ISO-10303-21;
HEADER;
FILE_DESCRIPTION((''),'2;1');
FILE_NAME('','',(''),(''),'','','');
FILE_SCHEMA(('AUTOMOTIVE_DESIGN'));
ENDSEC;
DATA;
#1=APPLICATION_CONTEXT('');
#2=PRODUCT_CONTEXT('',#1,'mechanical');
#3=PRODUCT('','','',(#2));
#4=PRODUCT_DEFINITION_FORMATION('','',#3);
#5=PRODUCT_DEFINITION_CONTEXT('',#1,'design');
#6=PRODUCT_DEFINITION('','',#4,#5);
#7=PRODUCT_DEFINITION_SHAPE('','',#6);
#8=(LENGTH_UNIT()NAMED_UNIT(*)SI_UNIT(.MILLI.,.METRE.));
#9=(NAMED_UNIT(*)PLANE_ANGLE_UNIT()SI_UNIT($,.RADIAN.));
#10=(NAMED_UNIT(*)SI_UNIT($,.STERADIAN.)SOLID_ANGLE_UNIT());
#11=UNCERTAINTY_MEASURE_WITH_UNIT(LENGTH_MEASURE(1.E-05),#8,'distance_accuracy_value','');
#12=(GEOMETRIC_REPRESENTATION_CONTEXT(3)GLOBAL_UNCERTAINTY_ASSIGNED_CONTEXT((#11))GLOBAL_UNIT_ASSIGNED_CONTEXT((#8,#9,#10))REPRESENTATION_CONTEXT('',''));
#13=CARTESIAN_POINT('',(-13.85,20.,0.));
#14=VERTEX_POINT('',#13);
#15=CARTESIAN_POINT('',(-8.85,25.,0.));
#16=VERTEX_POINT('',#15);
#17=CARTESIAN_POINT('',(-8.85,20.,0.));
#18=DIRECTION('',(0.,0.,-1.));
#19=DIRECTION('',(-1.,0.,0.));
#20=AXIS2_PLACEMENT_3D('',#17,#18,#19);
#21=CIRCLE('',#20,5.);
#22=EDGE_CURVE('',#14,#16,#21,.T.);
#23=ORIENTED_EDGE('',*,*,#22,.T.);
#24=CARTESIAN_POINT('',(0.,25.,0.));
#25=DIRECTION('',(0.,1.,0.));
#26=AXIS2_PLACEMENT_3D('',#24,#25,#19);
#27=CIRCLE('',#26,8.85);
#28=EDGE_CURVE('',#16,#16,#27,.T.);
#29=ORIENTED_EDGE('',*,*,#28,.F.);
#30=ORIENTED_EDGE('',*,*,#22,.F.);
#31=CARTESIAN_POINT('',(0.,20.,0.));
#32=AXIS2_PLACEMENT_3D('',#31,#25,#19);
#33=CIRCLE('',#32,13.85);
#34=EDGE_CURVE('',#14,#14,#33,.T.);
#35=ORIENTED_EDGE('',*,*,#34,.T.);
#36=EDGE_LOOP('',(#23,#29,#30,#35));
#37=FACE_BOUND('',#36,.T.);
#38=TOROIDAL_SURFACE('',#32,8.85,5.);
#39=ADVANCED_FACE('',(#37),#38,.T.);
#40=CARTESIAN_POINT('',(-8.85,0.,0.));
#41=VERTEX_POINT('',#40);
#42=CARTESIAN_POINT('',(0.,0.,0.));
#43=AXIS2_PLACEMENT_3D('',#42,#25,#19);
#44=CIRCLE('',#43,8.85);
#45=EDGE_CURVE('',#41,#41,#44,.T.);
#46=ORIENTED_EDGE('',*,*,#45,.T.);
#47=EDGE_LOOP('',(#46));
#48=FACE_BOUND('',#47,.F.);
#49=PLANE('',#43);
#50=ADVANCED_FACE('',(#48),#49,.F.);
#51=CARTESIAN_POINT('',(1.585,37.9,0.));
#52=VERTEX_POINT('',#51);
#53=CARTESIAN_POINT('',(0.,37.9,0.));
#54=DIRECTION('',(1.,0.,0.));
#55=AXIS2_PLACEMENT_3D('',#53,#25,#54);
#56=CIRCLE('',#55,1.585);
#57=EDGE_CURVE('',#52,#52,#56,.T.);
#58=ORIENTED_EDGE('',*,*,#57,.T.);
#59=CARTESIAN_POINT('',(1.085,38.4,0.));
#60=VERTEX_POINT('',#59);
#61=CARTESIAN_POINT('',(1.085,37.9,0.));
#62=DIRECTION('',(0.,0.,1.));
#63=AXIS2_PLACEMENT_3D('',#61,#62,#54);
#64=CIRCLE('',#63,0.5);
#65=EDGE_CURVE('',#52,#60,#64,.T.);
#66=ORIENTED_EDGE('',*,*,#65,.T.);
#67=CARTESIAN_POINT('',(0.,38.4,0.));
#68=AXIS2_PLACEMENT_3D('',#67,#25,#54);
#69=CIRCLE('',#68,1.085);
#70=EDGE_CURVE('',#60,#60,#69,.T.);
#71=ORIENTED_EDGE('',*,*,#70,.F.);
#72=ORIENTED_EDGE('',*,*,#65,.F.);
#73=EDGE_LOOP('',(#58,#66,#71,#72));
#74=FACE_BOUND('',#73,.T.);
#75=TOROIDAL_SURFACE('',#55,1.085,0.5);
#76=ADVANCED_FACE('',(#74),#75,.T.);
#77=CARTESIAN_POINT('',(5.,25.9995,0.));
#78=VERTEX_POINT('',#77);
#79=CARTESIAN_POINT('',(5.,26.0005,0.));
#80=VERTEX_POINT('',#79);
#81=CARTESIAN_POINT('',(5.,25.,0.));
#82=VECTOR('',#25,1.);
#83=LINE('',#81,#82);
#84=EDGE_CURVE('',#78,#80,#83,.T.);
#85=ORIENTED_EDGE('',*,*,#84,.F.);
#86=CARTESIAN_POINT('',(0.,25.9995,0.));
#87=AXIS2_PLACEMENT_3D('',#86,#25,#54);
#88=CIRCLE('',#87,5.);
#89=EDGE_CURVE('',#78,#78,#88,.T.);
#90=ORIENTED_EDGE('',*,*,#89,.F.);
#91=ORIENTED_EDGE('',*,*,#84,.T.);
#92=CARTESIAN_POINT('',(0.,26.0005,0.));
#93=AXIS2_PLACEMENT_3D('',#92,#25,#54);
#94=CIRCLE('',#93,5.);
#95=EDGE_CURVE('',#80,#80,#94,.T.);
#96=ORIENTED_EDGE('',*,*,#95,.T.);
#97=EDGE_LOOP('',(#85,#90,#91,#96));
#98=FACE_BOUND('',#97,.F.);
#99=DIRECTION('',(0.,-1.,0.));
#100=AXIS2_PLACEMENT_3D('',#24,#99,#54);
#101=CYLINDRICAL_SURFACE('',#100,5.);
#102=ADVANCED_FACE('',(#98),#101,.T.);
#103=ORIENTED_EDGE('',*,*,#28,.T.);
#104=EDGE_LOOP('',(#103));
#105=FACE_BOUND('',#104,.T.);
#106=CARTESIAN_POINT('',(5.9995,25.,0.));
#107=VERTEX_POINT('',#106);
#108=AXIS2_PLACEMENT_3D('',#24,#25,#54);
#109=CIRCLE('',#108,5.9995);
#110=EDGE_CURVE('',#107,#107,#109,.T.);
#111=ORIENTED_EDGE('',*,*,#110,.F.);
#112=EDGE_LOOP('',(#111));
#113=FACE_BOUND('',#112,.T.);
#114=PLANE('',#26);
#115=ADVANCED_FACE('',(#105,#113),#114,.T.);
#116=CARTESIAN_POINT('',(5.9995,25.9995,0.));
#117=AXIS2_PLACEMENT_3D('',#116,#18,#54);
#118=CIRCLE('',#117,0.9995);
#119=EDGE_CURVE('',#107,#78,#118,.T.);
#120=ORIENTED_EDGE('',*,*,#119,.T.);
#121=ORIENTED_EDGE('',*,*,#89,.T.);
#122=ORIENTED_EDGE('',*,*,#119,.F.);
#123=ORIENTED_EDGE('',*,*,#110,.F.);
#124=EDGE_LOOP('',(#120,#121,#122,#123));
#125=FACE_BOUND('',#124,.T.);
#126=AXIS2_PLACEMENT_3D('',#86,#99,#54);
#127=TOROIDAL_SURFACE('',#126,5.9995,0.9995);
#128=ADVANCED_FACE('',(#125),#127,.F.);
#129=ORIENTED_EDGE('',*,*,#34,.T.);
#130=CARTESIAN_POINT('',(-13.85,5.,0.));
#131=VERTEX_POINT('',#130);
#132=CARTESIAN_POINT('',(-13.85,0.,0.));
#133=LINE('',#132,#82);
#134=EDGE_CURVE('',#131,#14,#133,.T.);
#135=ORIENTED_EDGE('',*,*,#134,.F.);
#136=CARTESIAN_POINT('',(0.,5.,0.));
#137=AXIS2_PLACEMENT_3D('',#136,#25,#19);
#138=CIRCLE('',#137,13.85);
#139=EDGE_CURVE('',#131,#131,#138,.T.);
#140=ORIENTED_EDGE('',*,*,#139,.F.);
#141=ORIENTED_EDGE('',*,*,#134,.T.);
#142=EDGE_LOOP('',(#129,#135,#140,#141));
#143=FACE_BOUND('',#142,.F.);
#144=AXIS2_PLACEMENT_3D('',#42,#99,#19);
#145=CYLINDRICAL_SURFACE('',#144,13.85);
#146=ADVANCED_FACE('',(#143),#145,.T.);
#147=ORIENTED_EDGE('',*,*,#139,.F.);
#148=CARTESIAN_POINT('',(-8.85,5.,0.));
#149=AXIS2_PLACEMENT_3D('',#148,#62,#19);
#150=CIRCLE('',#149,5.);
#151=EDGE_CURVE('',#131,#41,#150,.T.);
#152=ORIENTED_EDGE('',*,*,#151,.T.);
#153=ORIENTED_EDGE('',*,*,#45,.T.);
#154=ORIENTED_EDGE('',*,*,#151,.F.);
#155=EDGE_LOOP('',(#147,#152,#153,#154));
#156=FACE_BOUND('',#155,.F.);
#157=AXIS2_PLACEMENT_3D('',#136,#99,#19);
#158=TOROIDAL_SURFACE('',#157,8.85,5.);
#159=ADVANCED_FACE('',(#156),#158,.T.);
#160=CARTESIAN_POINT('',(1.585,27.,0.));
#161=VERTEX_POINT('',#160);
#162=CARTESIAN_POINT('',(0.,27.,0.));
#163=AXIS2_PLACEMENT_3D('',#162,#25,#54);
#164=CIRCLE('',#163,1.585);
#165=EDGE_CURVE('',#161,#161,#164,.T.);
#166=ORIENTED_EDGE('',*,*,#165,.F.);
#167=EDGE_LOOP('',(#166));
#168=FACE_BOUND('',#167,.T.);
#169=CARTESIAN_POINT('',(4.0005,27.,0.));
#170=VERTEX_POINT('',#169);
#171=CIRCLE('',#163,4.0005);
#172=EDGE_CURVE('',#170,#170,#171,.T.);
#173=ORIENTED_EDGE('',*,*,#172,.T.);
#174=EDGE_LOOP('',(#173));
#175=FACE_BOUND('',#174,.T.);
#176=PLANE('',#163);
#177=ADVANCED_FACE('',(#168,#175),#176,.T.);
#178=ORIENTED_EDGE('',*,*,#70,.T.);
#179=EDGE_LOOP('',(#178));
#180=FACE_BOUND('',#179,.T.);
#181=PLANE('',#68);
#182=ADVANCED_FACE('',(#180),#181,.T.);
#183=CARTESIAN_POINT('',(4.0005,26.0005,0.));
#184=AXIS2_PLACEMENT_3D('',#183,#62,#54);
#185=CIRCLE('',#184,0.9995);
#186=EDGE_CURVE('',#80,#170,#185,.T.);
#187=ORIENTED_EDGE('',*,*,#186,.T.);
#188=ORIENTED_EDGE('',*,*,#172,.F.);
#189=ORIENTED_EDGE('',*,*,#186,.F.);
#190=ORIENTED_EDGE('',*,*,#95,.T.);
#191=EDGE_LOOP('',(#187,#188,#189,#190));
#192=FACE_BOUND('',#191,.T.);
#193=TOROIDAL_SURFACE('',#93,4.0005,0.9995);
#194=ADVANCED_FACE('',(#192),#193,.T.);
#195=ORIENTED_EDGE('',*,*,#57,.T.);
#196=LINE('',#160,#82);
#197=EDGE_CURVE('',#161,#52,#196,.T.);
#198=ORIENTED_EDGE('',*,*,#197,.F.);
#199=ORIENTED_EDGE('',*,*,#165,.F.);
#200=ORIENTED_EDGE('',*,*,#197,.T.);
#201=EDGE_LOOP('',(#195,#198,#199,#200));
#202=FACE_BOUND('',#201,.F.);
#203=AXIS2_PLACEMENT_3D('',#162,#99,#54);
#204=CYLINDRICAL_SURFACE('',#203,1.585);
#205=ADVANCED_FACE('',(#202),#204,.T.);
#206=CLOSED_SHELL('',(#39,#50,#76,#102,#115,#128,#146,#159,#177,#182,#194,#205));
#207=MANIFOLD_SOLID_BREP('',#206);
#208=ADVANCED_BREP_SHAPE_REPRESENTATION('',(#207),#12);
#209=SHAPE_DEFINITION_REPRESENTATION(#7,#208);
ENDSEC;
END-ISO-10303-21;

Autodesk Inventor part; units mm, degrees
ref_plane "YZ Plane" through (0, 0, 0) normal (1, 0, 0) x (0, 1, 0)
ref_plane "XZ Plane" through (0, 0, 0) normal (0, 1, 0) x (-1, 0, 0)
ref_plane "XY Plane" through (0, 0, 0) normal (0, 0, 1) x (1, 0, 0)
sketch "Sketch1" plane through (0, 0, 0) normal (0, 1, 0) x (-1, 0, 0)
  point P0 (0, 0)
sketch "Sketch2" plane through (0, 0, 0) normal (0, 1, 0) x (-1, 0, 0)
  circle A0 centre (0, 0) radius 13.85
  dimension "d0" = 27.7
extrude "Extrusion1" add sketch "Sketch2" along normal blind 25
sketch "Sketch3" plane through (0, 25, 0) normal (0, 1, 0) x (1, 0, 0)
  circle A0 centre (0, 0) radius 13.85 projected
  circle A1 centre (0, 0) radius 5
  dimension "d3" = 10
extrude "Extrusion2" add sketch "Sketch3" along normal blind 2 contours A1
sketch "Sketch4" plane through (0, 27, 0) normal (0, 1, 0) x (1, 0, 0)
  circle A0 centre (0, 0) radius 1.585
  dimension "d6" = 3.17
extrude "Extrusion3" add sketch "Sketch4" along normal blind 11.4
fillet "Fillet1" radius 5 2 edges at (13.85, 0, 0) (13.85, 25, 0)
fillet "Fillet2" radius 1 2 edges at (-5, 27, 0) (-5, 25, 0)
fillet "Fillet3" radius 0.5 1 edges at (-1.585, 38.4, 0)
properties part number "Motor"
